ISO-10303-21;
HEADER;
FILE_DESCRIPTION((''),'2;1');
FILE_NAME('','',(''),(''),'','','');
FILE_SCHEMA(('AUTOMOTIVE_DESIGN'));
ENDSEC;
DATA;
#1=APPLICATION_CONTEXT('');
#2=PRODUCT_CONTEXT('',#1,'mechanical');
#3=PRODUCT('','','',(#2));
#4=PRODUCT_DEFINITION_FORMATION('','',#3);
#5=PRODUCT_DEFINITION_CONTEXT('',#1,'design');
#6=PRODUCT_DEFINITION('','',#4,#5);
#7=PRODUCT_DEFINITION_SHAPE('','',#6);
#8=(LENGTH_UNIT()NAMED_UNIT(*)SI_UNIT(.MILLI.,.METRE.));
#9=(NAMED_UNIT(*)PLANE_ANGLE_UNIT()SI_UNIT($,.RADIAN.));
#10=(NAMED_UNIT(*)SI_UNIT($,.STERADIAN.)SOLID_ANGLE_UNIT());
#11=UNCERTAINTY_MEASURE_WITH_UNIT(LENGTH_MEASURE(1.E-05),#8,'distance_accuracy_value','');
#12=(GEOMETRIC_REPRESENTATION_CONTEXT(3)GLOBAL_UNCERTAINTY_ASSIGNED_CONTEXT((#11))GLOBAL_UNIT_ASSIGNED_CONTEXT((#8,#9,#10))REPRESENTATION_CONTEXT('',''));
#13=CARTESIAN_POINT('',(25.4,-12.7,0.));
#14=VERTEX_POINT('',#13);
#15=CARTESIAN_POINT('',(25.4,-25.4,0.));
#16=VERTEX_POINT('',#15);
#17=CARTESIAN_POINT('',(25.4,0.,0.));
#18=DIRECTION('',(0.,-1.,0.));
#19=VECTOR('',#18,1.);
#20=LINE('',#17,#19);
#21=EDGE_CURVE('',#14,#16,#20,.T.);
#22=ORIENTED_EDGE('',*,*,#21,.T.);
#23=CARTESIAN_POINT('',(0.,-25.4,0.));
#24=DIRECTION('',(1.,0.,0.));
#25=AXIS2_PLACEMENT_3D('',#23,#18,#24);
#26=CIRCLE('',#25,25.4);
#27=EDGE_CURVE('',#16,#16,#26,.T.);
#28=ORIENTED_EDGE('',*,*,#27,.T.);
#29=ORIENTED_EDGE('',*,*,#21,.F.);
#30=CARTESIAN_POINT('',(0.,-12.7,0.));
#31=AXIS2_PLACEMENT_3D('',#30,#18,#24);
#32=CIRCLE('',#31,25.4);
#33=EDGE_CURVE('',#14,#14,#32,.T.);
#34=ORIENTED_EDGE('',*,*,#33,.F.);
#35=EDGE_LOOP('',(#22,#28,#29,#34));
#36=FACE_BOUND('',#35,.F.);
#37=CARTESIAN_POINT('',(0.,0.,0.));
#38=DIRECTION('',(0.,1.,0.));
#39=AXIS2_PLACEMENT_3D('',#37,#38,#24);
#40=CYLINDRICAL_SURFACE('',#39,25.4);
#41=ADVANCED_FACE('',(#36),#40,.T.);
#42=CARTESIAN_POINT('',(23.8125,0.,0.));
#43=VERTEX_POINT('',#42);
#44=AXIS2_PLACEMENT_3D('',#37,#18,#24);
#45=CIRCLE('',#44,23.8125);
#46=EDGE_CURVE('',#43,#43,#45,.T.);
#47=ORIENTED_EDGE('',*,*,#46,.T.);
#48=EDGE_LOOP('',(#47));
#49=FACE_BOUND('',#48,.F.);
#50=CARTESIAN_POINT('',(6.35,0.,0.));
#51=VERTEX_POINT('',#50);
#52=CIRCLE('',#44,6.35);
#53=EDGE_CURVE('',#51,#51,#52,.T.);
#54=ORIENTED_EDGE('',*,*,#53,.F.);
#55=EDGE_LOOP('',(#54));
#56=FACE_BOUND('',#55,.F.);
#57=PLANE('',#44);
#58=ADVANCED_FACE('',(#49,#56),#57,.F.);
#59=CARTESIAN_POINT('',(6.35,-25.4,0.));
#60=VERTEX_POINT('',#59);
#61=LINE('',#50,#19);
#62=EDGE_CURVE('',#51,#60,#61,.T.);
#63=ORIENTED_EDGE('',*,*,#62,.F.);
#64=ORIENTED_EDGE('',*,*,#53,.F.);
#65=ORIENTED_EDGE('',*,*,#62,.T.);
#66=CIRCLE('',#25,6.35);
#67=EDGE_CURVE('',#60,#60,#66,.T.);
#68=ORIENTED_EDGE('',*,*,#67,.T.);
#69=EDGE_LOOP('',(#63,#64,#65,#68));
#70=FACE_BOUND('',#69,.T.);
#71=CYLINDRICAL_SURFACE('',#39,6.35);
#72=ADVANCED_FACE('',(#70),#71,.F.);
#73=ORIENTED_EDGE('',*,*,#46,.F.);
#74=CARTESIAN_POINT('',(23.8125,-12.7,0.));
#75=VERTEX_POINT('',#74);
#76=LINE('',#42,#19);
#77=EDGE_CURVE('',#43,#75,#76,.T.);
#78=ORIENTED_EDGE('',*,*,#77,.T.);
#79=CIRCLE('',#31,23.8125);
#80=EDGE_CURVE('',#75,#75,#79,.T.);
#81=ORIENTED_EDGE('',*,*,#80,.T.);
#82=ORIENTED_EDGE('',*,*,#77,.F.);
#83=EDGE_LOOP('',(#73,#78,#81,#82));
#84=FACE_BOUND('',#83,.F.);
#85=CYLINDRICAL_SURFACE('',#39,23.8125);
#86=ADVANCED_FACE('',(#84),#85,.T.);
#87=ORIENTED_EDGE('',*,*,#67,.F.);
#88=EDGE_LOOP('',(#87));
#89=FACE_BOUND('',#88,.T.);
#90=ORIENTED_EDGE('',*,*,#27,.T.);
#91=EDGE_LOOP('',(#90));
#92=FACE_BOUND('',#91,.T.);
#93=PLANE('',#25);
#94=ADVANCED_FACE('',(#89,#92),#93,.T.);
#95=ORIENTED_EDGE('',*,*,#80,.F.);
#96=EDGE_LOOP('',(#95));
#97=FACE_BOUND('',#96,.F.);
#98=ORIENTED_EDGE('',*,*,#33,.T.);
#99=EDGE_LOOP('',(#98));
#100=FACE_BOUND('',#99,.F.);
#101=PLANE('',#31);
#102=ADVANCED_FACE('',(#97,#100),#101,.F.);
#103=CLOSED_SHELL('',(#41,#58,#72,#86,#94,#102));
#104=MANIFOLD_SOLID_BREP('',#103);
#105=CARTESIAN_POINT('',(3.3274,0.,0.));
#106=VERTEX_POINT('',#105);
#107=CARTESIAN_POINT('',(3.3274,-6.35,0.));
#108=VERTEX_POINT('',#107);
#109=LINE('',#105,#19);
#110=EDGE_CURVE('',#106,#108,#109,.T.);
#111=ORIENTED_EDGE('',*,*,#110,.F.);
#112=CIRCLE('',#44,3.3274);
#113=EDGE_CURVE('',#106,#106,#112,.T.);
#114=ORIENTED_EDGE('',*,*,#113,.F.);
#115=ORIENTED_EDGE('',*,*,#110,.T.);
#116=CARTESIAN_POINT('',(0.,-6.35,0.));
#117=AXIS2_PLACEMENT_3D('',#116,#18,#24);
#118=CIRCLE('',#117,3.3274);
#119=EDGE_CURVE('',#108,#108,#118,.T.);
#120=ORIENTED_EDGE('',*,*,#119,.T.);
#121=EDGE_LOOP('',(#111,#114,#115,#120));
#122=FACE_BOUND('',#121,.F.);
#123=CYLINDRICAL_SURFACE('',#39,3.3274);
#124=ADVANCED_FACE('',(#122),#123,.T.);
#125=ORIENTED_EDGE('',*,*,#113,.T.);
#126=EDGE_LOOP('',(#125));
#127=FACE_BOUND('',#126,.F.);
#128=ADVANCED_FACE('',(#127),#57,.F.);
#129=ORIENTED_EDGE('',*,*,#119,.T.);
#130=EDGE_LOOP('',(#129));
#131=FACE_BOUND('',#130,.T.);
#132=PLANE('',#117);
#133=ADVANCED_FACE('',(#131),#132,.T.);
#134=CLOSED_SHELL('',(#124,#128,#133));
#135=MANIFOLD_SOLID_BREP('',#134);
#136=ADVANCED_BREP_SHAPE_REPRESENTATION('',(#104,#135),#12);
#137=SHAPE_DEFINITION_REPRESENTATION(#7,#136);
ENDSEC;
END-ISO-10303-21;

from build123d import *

# Parameters (mm, degrees)
F0_R     = 25.4
F0_R_2   = 6.35
F1_DEPTH = 25.4
F2_R     = 3.3274
F3_DEPTH = 6.35
F4_R     = 25.4
F4_R_2   = 23.8125
F5_DEPTH = 12.7


with BuildPart() as f1:
    # F0 (on Front) → F1 (new body)
    with BuildSketch(Plane.XZ):
        Circle(F0_R)
        Circle(F0_R_2, mode=Mode.SUBTRACT)
    extrude(amount=F1_DEPTH)

    # F4 (on Front) → F5 (cut)
    with BuildSketch(Plane.XZ):
        Circle(F4_R)
        Circle(F4_R_2, mode=Mode.SUBTRACT)
    extrude(amount=F5_DEPTH, mode=Mode.SUBTRACT)


with BuildPart() as f3:
    # F2 (on Front) → F3 (new body)
    with BuildSketch(Plane.XZ):
        Circle(F2_R)
    extrude(amount=F3_DEPTH)


solid = Compound([f1.part, f3.part])
